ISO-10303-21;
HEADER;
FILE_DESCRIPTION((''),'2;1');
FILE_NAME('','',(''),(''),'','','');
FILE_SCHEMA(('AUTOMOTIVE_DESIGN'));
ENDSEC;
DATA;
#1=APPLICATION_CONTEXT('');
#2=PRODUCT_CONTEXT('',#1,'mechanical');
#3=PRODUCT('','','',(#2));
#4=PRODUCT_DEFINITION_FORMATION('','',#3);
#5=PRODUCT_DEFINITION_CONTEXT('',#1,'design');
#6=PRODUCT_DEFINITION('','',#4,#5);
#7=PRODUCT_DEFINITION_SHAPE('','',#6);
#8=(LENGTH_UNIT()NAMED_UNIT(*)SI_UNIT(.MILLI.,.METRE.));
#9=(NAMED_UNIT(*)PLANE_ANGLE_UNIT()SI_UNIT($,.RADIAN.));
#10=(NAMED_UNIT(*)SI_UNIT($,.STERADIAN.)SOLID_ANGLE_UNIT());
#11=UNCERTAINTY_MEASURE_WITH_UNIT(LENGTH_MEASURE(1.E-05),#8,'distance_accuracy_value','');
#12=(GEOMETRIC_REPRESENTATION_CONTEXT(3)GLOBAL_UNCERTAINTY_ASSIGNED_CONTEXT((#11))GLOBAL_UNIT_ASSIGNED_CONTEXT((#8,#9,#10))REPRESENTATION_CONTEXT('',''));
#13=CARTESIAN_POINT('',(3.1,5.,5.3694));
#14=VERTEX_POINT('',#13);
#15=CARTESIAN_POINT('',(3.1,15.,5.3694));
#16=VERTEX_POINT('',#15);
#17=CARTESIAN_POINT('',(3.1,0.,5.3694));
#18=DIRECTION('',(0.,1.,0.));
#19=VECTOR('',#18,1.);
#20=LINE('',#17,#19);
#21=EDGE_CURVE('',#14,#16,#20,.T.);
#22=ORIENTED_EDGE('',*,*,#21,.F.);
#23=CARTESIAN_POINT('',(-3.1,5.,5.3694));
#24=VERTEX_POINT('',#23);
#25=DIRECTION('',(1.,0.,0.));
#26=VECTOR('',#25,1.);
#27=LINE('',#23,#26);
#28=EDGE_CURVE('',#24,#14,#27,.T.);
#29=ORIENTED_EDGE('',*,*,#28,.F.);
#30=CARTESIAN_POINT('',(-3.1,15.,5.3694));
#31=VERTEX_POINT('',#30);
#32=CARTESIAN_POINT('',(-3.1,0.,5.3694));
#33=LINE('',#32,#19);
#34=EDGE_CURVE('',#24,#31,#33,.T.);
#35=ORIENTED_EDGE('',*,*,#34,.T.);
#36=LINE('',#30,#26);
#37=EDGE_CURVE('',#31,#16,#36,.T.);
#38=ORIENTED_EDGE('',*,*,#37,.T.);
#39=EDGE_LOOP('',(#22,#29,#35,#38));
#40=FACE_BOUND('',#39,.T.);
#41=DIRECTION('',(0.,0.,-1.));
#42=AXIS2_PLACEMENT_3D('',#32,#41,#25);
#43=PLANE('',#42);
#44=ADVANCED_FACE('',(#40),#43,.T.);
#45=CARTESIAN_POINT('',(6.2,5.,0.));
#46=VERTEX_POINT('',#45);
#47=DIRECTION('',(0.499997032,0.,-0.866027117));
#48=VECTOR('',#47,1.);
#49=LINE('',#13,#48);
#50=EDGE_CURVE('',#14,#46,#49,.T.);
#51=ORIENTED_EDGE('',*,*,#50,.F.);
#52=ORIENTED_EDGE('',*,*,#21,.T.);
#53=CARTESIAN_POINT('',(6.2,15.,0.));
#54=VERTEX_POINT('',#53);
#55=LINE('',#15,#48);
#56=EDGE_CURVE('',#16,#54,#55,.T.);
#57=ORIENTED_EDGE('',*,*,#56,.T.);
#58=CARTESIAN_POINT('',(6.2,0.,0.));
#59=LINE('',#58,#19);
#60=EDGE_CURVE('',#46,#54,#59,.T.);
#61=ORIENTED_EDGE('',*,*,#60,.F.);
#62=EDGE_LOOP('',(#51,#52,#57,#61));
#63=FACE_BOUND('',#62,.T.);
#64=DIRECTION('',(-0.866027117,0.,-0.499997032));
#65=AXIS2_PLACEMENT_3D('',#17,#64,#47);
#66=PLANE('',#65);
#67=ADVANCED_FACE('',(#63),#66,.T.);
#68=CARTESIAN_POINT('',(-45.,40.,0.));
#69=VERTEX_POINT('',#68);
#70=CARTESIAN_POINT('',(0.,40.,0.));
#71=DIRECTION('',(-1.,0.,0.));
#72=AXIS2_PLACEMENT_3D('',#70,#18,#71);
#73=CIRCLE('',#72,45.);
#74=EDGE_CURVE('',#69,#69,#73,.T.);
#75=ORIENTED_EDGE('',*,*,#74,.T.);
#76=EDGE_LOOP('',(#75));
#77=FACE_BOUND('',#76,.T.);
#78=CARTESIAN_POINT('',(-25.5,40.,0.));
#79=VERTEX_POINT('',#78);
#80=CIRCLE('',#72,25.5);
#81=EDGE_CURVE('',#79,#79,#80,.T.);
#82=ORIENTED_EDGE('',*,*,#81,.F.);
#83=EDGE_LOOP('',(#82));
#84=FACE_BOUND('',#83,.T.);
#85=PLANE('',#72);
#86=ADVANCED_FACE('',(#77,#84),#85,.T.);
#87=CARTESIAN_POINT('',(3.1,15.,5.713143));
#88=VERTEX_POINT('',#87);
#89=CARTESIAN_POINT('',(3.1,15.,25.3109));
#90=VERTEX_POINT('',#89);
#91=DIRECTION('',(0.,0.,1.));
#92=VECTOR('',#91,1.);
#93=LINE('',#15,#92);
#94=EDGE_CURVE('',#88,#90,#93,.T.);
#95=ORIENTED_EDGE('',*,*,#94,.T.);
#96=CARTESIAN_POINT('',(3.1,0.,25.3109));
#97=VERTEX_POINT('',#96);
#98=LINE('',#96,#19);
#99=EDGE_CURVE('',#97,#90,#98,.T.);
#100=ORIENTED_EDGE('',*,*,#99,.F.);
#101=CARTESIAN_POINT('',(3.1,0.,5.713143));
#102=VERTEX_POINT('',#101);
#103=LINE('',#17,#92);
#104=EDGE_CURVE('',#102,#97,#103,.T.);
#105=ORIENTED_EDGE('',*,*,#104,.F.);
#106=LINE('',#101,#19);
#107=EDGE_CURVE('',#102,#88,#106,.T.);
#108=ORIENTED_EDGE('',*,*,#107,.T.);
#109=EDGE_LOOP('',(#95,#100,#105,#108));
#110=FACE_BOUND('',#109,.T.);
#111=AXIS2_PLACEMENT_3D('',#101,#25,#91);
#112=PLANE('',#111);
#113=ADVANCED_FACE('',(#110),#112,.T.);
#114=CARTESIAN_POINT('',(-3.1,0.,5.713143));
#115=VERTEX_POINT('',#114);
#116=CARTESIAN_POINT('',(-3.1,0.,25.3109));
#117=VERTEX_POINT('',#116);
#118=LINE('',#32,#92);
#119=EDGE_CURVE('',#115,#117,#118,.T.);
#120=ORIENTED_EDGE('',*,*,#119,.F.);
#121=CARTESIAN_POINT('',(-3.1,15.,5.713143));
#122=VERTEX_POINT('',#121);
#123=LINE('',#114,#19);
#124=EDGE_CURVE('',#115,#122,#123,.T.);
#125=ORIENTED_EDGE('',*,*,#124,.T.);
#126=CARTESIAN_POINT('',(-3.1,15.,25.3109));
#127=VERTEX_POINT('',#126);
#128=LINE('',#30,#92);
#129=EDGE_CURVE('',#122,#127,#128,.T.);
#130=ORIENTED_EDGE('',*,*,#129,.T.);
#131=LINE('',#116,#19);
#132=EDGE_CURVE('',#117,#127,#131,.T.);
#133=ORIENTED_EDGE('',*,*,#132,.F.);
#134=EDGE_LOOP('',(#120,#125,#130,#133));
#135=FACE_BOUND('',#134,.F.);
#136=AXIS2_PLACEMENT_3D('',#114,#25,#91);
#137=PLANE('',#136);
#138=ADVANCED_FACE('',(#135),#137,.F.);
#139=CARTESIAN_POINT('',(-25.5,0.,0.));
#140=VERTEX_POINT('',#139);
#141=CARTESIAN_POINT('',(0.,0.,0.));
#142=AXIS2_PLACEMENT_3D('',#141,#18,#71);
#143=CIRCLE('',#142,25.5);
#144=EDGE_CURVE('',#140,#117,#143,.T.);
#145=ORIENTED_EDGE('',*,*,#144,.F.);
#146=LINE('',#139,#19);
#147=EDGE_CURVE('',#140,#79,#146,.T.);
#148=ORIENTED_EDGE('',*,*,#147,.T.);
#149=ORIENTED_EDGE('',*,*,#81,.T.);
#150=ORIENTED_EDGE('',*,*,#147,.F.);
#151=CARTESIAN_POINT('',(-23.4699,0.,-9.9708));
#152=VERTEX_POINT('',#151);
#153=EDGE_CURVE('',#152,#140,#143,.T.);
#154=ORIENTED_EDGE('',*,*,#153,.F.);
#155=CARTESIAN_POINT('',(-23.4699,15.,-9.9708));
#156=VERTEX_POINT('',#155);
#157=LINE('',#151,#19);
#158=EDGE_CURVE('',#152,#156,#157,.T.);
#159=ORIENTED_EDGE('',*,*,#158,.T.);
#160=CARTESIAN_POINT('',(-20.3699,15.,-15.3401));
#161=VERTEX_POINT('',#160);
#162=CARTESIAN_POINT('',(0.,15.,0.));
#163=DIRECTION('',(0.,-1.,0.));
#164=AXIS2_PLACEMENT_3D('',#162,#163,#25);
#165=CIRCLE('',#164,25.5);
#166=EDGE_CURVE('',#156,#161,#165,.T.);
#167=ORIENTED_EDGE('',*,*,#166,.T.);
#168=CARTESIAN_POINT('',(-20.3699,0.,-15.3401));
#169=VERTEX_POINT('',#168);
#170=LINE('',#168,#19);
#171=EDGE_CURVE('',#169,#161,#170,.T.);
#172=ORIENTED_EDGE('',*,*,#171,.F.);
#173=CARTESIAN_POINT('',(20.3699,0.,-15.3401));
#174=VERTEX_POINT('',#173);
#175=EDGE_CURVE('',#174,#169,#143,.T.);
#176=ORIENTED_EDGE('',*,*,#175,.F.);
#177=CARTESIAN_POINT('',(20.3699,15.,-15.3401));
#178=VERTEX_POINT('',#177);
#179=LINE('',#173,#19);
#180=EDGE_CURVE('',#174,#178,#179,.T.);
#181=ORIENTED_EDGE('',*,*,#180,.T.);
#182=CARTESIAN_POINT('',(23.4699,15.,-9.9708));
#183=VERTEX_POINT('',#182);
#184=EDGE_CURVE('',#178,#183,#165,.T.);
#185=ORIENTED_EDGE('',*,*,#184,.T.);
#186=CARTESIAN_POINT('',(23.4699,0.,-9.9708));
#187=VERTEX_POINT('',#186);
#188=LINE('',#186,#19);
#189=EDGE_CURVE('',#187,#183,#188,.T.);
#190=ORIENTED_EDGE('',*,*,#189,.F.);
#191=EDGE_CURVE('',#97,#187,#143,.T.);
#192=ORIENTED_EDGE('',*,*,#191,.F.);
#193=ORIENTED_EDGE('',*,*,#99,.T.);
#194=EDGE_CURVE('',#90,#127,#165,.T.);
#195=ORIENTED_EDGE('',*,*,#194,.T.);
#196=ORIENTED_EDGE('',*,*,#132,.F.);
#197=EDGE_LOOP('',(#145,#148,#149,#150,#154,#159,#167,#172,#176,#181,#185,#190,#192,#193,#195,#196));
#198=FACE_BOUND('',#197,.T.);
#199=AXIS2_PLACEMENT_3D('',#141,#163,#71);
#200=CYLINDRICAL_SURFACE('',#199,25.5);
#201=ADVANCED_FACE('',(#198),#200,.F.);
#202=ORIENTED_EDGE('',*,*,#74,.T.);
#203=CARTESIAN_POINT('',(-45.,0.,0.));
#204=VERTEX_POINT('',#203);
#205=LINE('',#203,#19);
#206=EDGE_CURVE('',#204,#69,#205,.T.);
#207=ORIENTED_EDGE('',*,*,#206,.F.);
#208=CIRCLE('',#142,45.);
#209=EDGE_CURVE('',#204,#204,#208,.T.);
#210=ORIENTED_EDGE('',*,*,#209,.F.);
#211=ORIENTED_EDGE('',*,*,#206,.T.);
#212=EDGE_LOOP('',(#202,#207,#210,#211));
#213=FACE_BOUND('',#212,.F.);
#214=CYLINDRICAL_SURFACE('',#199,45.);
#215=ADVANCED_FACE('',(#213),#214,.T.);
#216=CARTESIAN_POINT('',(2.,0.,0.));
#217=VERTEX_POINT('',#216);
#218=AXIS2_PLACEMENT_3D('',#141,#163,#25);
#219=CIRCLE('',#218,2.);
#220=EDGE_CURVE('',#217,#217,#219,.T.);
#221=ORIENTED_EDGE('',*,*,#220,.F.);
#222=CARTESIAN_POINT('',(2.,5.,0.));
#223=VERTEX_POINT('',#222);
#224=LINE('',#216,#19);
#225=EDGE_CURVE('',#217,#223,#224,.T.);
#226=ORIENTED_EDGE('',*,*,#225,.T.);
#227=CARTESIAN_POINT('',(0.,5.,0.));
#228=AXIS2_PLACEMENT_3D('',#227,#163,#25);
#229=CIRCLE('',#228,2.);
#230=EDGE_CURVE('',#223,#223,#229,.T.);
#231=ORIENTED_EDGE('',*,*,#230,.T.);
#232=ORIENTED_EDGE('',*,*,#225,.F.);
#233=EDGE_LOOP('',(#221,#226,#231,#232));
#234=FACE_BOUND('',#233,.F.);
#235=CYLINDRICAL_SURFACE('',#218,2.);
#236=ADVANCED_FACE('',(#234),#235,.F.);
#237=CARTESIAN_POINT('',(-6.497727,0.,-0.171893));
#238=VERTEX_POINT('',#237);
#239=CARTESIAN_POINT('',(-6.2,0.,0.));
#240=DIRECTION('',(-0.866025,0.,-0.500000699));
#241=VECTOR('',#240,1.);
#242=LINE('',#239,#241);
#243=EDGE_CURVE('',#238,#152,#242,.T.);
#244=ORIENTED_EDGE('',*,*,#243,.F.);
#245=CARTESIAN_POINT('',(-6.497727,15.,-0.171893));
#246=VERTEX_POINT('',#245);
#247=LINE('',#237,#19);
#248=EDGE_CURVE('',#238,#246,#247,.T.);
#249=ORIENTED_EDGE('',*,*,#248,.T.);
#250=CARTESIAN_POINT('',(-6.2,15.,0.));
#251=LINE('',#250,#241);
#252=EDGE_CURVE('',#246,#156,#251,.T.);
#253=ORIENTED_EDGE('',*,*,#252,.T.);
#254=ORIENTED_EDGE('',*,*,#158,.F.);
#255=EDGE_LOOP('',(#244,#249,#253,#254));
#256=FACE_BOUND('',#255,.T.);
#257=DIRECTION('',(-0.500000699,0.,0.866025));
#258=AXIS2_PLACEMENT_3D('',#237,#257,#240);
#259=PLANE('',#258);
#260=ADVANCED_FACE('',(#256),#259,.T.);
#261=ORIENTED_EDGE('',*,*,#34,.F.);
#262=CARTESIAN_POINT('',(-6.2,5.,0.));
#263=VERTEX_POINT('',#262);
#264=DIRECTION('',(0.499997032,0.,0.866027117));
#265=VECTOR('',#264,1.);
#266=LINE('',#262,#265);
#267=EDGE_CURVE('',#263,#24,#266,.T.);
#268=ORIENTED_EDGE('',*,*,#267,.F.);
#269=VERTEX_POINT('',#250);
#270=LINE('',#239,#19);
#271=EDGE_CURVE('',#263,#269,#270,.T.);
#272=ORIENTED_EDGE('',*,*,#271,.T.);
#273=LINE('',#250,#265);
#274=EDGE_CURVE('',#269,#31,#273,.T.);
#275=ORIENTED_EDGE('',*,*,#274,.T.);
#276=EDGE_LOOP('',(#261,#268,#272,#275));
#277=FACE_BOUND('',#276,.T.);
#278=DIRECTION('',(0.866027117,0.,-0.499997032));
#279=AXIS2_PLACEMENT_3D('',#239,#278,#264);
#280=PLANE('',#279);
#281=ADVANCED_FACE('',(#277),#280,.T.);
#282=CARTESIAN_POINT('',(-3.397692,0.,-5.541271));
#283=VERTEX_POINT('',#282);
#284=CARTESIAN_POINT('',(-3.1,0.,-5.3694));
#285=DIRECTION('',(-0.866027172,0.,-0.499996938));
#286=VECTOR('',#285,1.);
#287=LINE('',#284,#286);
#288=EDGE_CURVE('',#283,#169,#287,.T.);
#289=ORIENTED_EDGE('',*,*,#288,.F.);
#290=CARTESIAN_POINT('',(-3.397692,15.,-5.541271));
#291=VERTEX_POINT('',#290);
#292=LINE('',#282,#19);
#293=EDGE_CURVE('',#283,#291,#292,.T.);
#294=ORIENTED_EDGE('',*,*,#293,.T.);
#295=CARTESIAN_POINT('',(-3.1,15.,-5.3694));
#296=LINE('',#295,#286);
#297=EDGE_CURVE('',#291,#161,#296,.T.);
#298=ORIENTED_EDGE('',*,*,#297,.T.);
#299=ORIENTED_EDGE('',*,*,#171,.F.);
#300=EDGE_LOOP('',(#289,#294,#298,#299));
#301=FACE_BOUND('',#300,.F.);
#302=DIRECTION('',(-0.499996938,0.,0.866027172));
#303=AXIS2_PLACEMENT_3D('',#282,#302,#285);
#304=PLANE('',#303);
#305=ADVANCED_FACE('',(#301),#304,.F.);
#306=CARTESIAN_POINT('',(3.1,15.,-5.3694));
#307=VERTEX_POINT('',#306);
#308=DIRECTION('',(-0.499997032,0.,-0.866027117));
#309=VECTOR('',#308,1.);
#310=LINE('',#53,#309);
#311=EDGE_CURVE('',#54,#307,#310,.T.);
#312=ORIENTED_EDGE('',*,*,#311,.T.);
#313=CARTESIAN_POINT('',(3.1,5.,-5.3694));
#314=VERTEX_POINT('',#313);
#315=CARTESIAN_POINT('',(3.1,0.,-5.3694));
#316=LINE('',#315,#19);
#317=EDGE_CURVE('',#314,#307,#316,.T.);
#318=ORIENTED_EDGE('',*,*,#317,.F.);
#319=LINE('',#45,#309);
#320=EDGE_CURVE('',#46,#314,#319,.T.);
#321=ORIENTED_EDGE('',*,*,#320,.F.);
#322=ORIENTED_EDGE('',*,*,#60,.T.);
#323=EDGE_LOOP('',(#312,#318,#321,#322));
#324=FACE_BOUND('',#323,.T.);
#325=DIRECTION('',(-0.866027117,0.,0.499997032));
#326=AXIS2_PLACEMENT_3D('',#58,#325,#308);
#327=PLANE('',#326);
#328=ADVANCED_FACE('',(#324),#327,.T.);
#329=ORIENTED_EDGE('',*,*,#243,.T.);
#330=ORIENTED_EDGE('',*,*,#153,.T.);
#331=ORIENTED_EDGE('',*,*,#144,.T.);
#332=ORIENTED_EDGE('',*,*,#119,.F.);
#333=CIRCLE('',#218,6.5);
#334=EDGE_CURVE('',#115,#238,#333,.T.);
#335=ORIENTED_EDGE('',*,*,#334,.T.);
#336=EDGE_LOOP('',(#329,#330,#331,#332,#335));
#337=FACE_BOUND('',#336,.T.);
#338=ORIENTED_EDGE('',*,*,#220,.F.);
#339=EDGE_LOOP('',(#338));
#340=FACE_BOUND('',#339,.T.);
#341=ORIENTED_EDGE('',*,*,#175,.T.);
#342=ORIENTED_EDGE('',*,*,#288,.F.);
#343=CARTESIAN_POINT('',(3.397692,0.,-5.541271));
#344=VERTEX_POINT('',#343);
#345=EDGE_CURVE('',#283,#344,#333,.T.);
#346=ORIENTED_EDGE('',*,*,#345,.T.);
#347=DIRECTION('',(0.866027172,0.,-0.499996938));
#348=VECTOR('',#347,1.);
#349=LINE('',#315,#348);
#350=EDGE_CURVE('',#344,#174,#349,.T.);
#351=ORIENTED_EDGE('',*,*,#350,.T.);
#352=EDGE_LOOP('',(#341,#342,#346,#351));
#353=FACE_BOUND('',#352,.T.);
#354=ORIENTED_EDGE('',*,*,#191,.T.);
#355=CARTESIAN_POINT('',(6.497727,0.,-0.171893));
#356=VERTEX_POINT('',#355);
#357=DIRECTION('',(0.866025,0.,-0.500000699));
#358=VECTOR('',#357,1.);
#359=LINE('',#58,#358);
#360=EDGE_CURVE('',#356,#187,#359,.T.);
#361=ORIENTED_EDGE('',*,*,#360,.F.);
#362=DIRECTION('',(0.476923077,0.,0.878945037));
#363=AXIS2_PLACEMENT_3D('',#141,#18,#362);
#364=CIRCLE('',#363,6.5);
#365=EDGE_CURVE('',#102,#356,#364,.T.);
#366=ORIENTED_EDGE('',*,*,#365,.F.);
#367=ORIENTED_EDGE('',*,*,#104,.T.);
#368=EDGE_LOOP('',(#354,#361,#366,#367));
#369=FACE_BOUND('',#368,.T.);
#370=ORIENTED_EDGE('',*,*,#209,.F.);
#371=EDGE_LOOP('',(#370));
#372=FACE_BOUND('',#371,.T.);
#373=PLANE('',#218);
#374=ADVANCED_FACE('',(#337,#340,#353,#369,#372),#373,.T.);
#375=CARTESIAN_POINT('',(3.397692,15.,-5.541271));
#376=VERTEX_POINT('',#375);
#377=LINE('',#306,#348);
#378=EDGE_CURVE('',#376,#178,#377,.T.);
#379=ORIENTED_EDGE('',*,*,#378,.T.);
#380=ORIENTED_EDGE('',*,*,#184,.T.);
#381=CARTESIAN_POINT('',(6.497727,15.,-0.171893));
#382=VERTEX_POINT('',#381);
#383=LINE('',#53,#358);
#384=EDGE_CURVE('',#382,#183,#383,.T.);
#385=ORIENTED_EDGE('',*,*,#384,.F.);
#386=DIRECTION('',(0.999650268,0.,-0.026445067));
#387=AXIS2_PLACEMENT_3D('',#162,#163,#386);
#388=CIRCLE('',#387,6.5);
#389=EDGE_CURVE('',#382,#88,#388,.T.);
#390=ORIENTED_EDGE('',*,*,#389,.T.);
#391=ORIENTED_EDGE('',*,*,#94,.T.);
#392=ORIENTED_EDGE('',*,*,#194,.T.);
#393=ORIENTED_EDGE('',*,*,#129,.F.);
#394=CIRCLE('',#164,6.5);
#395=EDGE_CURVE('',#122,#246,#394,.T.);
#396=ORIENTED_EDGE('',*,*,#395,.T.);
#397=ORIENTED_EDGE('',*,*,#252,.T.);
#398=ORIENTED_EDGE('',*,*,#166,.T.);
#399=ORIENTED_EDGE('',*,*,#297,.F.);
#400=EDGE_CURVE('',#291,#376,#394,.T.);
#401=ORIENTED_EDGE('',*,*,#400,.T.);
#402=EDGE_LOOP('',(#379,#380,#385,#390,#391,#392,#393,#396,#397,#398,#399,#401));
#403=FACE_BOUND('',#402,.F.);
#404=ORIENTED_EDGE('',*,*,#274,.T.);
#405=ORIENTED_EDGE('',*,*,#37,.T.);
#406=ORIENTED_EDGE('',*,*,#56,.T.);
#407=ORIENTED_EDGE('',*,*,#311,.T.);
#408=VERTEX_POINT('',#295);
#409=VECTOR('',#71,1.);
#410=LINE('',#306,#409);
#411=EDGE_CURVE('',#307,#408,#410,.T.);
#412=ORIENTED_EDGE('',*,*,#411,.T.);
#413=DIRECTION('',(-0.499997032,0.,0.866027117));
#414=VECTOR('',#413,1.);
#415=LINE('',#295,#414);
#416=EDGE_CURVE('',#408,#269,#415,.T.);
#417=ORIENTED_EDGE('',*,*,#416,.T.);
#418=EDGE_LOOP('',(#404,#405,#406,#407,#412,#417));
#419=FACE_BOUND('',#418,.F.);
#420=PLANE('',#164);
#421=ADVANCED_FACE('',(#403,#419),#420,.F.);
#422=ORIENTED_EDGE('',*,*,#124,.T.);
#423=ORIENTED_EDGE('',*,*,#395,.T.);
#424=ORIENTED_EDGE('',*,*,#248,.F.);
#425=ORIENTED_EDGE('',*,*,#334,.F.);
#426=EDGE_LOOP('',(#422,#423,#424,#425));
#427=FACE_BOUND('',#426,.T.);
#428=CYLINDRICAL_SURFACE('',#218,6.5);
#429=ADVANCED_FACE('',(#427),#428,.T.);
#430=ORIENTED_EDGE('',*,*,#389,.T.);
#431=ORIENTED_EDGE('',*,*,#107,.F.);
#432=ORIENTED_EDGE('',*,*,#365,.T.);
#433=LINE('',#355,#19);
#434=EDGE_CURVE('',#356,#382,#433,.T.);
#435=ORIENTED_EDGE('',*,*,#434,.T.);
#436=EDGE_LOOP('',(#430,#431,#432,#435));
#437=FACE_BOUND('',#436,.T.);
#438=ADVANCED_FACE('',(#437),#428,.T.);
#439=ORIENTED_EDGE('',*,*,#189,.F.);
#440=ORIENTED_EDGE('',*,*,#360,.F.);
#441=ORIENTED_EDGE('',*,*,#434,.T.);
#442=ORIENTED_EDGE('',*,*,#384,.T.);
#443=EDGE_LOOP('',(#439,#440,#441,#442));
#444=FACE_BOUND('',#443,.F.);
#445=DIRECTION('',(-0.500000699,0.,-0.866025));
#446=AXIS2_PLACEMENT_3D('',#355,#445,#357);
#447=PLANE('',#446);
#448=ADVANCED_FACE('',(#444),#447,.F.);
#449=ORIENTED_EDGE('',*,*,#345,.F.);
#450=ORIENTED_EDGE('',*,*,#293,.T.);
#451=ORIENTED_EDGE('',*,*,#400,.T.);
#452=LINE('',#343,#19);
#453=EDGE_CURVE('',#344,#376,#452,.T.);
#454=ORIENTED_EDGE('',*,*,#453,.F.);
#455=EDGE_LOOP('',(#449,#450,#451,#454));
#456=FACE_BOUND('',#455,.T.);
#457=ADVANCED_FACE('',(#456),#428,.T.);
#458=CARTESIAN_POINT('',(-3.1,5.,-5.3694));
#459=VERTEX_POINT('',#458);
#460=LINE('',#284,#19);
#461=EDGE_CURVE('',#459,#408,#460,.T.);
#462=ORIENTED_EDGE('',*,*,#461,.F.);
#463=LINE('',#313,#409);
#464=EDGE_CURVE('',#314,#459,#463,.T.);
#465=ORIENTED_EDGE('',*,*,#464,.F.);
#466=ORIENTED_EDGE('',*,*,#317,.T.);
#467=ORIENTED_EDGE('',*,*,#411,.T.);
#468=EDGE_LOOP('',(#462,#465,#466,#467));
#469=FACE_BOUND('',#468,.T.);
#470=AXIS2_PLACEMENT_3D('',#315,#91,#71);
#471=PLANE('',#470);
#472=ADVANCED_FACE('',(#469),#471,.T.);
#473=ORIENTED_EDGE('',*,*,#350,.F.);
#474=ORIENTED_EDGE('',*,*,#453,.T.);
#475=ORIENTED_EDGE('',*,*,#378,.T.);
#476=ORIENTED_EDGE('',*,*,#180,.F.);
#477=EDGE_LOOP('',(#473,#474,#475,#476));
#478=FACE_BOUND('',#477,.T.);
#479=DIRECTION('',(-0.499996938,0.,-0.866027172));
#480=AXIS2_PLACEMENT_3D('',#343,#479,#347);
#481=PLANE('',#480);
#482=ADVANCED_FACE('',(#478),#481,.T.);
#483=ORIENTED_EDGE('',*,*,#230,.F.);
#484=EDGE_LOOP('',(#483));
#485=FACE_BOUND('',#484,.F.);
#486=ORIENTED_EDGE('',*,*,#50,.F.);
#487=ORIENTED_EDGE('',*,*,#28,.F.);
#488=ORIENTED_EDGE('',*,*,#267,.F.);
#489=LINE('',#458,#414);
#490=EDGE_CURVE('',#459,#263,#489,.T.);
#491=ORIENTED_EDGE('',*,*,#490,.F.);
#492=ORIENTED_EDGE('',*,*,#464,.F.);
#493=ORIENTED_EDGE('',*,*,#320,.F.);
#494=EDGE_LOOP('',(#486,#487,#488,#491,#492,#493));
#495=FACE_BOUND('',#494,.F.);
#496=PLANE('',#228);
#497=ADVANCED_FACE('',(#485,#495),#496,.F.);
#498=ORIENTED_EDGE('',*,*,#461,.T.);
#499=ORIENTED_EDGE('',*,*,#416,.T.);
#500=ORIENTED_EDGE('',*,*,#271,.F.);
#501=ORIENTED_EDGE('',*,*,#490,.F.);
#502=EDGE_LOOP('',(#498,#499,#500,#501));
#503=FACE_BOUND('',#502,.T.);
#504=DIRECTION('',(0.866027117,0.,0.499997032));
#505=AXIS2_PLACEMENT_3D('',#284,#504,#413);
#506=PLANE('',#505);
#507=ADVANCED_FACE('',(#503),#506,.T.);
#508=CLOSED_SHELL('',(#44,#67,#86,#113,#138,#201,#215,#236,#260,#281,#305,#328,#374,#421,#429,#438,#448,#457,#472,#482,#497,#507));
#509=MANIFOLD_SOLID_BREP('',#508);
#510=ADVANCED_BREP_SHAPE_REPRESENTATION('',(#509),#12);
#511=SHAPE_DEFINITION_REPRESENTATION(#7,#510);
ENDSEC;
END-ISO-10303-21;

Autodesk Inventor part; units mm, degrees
ref_plane "YZ Plane" through (0, 0, 0) normal (1, 0, 0) x (0, 1, 0)
ref_plane "XZ Plane" through (0, 0, 0) normal (0, 1, 0) x (-1, 0, 0)
ref_plane "XY Plane" through (0, 0, 0) normal (0, 0, 1) x (1, 0, 0)
sketch "Sketch1" plane through (0, 0, 0) normal (0, 1, 0) x (-1, 0, 0)
  circle A0 centre (0, 0) radius 45
  circle A1 centre (0, 0) radius 25.5
  dimension "d0" = 90
  dimension "d1" = 51
extrude "Extrusion1" add sketch "Sketch1" along normal blind 40
sketch "Sketch2" plane through (0, 0, 0) normal (0, -1, 0) x (1, 0, 0)
  circle A0 centre (0, 0) radius 25.5 projected
  circle A1 centre (0, 0) radius 45 projected
  line L0 (6.2, 0) -> (3.1, -5.3694)
  line L1 (3.1, -5.3694) -> (-3.1, -5.3694)
  line L2 (-3.1, -5.3694) -> (-6.2, 0)
  line L3 (-6.2, 0) -> (-3.1, 5.3694)
  line L4 (-3.1, 5.3694) -> (3.1, 5.3694)
  line L5 (3.1, 5.3694) -> (6.2, 0)
  line L6 (-3.1, 5.3694) -> (-3.1, 25.3109)
  line L7 (3.1, 5.3694) -> (3.1, 25.3109)
  line L8 (6.2, 0) -> (23.4699, -9.9708)
  line L9 (3.1, -5.3694) -> (20.3699, -15.3401)
  line L10 (-3.1, -5.3694) -> (-20.3699, -15.3401)
  line L11 (-6.2, 0) -> (-23.4699, -9.9708)
  circle A2 centre (0, 0) radius 6.5
  dimension "d4" = 6.2
  dimension "d5" = 13
extrude "Extrusion2" add sketch "Sketch2" against normal blind 15 contours L7 A2 L6 A0 | A0 L9 A2 L8 | A2 L8 L5 L7 | L7 L4 L6 A2 | A2 L9 L0 L8 | L11 A2 L10 A0 | L6 L3 L11 A2 | A2 L10 L1 L9 | L11 L2 L10 A2
sketch "Sketch3" plane through (0, 0, 0) normal (0, -1, 0) x (1, 0, 0)
  line L0 (3.1, -5.3694) -> (-3.1, -5.3694) projected
  line L1 (-3.1, -5.3694) -> (-6.2, 0) projected
  line L2 (-6.2, 0) -> (-3.1, 5.3694) projected
  line L3 (-3.1, 5.3694) -> (3.1, 5.3694) projected
  line L4 (3.1, 5.3694) -> (6.2, 0) projected
  line L5 (6.2, 0) -> (3.1, -5.3694) projected
  circle A0 centre (0, 0) radius 45 projected
  circle A1 centre (0, 0) radius 2
  dimension "d8" = 4
extrude "Extrusion3" add sketch "Sketch3" against normal blind 5 contours L0 L1 L2 L3 L4 L5
properties part number "koleso" material "ABS Plastic"
